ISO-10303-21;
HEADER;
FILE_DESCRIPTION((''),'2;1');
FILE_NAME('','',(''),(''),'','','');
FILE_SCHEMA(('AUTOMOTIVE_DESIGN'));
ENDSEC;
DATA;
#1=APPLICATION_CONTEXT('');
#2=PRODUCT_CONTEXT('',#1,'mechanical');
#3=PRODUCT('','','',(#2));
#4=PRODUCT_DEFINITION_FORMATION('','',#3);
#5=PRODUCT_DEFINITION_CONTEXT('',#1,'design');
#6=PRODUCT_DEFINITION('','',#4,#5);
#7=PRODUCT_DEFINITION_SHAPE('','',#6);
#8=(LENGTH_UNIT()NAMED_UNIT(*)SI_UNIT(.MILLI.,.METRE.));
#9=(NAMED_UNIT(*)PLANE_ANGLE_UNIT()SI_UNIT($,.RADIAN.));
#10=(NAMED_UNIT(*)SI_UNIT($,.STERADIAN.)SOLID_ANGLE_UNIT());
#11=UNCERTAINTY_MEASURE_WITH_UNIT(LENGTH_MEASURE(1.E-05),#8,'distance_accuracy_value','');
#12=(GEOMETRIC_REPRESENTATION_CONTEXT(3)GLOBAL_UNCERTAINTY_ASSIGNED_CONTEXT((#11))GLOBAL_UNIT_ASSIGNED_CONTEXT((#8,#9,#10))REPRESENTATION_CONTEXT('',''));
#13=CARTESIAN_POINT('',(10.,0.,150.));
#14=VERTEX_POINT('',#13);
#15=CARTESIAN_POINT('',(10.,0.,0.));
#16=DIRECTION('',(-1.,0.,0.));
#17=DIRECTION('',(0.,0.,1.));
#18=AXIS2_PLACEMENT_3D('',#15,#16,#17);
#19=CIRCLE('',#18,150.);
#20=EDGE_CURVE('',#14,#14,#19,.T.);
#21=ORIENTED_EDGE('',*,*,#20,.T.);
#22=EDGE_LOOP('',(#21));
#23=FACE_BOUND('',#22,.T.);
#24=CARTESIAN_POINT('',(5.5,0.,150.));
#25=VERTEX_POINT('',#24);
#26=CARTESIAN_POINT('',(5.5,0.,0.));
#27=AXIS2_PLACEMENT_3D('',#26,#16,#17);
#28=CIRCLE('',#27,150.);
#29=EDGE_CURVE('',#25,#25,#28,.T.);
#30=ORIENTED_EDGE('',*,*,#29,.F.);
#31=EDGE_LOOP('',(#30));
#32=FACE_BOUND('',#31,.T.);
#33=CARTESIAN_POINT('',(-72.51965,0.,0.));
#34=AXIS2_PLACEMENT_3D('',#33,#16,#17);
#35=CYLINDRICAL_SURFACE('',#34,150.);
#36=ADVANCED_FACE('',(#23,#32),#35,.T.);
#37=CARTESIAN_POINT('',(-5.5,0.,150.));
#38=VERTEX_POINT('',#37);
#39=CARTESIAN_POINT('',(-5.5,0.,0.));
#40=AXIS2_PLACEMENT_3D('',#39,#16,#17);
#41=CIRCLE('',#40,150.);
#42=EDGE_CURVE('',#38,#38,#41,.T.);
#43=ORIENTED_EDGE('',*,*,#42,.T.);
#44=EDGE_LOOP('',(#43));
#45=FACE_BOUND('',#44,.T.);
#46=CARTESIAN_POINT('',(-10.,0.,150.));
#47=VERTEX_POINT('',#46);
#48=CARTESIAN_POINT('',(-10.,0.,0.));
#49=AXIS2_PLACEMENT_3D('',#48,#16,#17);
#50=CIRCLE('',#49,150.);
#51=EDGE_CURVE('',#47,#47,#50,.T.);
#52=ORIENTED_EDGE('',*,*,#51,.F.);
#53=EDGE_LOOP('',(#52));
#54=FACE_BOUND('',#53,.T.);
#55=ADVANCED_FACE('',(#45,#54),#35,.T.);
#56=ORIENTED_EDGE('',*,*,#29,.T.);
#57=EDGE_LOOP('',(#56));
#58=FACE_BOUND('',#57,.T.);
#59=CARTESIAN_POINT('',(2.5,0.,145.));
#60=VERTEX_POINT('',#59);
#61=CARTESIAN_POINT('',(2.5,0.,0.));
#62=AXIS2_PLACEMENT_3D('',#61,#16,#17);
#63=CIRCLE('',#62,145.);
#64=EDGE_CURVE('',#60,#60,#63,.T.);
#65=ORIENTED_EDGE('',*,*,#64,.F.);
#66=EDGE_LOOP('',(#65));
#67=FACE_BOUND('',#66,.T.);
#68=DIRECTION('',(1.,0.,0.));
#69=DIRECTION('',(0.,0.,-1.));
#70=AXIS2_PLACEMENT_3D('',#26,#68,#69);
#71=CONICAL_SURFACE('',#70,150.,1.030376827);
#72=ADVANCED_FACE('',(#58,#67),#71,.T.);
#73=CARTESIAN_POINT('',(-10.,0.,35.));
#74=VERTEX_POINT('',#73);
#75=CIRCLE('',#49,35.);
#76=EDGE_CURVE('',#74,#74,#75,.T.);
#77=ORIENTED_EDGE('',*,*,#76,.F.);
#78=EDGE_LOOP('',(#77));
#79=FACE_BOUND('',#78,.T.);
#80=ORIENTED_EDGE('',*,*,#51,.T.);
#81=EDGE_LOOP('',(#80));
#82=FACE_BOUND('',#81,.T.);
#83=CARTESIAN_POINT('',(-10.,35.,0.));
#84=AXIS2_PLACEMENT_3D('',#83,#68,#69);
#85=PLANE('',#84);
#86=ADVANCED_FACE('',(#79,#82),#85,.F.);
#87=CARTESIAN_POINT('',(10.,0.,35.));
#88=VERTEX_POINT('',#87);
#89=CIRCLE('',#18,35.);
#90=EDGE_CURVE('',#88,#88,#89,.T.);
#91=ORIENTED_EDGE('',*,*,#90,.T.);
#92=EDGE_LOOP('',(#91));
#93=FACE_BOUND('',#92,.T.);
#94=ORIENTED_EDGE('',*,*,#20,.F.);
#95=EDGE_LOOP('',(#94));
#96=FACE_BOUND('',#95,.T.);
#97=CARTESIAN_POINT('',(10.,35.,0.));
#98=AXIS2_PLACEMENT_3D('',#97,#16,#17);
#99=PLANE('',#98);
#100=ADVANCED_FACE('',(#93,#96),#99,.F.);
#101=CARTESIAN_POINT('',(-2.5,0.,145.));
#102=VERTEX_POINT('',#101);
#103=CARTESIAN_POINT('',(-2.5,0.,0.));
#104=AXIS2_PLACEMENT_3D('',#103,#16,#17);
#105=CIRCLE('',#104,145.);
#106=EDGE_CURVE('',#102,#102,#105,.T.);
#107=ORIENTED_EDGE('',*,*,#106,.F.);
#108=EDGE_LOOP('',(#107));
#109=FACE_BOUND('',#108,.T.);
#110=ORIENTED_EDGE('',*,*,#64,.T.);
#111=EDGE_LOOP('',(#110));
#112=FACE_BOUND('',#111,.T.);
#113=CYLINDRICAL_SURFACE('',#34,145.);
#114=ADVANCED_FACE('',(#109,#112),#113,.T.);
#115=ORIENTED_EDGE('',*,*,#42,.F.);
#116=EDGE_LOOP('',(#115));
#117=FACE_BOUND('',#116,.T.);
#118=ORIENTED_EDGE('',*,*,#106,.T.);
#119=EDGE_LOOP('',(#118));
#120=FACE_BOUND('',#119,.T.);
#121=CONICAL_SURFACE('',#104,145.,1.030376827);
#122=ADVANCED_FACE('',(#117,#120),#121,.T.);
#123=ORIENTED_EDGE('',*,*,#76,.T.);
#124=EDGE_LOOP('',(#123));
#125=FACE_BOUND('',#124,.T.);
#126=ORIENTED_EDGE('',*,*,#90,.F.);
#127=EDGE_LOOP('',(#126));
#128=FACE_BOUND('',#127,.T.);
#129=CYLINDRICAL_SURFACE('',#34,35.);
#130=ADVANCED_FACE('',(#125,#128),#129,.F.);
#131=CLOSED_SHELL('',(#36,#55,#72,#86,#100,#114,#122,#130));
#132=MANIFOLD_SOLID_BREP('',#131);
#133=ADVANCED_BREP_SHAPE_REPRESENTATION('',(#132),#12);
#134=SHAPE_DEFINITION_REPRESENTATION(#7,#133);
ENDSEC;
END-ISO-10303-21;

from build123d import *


with BuildPart() as part:
    # Skica1 → Rotovat1 (revolve)
    with BuildSketch(Plane.XY):
        Polygon((-10, 35), (-10, 150), (-5.5, 150), (-2.5, 145), (2.5, 145), (5.5, 150), (10, 150), (10, 35), align=None)
    revolve(axis=Axis((-72.519650029, 0, 0), (1, 0, 0)))


solid = part.part
